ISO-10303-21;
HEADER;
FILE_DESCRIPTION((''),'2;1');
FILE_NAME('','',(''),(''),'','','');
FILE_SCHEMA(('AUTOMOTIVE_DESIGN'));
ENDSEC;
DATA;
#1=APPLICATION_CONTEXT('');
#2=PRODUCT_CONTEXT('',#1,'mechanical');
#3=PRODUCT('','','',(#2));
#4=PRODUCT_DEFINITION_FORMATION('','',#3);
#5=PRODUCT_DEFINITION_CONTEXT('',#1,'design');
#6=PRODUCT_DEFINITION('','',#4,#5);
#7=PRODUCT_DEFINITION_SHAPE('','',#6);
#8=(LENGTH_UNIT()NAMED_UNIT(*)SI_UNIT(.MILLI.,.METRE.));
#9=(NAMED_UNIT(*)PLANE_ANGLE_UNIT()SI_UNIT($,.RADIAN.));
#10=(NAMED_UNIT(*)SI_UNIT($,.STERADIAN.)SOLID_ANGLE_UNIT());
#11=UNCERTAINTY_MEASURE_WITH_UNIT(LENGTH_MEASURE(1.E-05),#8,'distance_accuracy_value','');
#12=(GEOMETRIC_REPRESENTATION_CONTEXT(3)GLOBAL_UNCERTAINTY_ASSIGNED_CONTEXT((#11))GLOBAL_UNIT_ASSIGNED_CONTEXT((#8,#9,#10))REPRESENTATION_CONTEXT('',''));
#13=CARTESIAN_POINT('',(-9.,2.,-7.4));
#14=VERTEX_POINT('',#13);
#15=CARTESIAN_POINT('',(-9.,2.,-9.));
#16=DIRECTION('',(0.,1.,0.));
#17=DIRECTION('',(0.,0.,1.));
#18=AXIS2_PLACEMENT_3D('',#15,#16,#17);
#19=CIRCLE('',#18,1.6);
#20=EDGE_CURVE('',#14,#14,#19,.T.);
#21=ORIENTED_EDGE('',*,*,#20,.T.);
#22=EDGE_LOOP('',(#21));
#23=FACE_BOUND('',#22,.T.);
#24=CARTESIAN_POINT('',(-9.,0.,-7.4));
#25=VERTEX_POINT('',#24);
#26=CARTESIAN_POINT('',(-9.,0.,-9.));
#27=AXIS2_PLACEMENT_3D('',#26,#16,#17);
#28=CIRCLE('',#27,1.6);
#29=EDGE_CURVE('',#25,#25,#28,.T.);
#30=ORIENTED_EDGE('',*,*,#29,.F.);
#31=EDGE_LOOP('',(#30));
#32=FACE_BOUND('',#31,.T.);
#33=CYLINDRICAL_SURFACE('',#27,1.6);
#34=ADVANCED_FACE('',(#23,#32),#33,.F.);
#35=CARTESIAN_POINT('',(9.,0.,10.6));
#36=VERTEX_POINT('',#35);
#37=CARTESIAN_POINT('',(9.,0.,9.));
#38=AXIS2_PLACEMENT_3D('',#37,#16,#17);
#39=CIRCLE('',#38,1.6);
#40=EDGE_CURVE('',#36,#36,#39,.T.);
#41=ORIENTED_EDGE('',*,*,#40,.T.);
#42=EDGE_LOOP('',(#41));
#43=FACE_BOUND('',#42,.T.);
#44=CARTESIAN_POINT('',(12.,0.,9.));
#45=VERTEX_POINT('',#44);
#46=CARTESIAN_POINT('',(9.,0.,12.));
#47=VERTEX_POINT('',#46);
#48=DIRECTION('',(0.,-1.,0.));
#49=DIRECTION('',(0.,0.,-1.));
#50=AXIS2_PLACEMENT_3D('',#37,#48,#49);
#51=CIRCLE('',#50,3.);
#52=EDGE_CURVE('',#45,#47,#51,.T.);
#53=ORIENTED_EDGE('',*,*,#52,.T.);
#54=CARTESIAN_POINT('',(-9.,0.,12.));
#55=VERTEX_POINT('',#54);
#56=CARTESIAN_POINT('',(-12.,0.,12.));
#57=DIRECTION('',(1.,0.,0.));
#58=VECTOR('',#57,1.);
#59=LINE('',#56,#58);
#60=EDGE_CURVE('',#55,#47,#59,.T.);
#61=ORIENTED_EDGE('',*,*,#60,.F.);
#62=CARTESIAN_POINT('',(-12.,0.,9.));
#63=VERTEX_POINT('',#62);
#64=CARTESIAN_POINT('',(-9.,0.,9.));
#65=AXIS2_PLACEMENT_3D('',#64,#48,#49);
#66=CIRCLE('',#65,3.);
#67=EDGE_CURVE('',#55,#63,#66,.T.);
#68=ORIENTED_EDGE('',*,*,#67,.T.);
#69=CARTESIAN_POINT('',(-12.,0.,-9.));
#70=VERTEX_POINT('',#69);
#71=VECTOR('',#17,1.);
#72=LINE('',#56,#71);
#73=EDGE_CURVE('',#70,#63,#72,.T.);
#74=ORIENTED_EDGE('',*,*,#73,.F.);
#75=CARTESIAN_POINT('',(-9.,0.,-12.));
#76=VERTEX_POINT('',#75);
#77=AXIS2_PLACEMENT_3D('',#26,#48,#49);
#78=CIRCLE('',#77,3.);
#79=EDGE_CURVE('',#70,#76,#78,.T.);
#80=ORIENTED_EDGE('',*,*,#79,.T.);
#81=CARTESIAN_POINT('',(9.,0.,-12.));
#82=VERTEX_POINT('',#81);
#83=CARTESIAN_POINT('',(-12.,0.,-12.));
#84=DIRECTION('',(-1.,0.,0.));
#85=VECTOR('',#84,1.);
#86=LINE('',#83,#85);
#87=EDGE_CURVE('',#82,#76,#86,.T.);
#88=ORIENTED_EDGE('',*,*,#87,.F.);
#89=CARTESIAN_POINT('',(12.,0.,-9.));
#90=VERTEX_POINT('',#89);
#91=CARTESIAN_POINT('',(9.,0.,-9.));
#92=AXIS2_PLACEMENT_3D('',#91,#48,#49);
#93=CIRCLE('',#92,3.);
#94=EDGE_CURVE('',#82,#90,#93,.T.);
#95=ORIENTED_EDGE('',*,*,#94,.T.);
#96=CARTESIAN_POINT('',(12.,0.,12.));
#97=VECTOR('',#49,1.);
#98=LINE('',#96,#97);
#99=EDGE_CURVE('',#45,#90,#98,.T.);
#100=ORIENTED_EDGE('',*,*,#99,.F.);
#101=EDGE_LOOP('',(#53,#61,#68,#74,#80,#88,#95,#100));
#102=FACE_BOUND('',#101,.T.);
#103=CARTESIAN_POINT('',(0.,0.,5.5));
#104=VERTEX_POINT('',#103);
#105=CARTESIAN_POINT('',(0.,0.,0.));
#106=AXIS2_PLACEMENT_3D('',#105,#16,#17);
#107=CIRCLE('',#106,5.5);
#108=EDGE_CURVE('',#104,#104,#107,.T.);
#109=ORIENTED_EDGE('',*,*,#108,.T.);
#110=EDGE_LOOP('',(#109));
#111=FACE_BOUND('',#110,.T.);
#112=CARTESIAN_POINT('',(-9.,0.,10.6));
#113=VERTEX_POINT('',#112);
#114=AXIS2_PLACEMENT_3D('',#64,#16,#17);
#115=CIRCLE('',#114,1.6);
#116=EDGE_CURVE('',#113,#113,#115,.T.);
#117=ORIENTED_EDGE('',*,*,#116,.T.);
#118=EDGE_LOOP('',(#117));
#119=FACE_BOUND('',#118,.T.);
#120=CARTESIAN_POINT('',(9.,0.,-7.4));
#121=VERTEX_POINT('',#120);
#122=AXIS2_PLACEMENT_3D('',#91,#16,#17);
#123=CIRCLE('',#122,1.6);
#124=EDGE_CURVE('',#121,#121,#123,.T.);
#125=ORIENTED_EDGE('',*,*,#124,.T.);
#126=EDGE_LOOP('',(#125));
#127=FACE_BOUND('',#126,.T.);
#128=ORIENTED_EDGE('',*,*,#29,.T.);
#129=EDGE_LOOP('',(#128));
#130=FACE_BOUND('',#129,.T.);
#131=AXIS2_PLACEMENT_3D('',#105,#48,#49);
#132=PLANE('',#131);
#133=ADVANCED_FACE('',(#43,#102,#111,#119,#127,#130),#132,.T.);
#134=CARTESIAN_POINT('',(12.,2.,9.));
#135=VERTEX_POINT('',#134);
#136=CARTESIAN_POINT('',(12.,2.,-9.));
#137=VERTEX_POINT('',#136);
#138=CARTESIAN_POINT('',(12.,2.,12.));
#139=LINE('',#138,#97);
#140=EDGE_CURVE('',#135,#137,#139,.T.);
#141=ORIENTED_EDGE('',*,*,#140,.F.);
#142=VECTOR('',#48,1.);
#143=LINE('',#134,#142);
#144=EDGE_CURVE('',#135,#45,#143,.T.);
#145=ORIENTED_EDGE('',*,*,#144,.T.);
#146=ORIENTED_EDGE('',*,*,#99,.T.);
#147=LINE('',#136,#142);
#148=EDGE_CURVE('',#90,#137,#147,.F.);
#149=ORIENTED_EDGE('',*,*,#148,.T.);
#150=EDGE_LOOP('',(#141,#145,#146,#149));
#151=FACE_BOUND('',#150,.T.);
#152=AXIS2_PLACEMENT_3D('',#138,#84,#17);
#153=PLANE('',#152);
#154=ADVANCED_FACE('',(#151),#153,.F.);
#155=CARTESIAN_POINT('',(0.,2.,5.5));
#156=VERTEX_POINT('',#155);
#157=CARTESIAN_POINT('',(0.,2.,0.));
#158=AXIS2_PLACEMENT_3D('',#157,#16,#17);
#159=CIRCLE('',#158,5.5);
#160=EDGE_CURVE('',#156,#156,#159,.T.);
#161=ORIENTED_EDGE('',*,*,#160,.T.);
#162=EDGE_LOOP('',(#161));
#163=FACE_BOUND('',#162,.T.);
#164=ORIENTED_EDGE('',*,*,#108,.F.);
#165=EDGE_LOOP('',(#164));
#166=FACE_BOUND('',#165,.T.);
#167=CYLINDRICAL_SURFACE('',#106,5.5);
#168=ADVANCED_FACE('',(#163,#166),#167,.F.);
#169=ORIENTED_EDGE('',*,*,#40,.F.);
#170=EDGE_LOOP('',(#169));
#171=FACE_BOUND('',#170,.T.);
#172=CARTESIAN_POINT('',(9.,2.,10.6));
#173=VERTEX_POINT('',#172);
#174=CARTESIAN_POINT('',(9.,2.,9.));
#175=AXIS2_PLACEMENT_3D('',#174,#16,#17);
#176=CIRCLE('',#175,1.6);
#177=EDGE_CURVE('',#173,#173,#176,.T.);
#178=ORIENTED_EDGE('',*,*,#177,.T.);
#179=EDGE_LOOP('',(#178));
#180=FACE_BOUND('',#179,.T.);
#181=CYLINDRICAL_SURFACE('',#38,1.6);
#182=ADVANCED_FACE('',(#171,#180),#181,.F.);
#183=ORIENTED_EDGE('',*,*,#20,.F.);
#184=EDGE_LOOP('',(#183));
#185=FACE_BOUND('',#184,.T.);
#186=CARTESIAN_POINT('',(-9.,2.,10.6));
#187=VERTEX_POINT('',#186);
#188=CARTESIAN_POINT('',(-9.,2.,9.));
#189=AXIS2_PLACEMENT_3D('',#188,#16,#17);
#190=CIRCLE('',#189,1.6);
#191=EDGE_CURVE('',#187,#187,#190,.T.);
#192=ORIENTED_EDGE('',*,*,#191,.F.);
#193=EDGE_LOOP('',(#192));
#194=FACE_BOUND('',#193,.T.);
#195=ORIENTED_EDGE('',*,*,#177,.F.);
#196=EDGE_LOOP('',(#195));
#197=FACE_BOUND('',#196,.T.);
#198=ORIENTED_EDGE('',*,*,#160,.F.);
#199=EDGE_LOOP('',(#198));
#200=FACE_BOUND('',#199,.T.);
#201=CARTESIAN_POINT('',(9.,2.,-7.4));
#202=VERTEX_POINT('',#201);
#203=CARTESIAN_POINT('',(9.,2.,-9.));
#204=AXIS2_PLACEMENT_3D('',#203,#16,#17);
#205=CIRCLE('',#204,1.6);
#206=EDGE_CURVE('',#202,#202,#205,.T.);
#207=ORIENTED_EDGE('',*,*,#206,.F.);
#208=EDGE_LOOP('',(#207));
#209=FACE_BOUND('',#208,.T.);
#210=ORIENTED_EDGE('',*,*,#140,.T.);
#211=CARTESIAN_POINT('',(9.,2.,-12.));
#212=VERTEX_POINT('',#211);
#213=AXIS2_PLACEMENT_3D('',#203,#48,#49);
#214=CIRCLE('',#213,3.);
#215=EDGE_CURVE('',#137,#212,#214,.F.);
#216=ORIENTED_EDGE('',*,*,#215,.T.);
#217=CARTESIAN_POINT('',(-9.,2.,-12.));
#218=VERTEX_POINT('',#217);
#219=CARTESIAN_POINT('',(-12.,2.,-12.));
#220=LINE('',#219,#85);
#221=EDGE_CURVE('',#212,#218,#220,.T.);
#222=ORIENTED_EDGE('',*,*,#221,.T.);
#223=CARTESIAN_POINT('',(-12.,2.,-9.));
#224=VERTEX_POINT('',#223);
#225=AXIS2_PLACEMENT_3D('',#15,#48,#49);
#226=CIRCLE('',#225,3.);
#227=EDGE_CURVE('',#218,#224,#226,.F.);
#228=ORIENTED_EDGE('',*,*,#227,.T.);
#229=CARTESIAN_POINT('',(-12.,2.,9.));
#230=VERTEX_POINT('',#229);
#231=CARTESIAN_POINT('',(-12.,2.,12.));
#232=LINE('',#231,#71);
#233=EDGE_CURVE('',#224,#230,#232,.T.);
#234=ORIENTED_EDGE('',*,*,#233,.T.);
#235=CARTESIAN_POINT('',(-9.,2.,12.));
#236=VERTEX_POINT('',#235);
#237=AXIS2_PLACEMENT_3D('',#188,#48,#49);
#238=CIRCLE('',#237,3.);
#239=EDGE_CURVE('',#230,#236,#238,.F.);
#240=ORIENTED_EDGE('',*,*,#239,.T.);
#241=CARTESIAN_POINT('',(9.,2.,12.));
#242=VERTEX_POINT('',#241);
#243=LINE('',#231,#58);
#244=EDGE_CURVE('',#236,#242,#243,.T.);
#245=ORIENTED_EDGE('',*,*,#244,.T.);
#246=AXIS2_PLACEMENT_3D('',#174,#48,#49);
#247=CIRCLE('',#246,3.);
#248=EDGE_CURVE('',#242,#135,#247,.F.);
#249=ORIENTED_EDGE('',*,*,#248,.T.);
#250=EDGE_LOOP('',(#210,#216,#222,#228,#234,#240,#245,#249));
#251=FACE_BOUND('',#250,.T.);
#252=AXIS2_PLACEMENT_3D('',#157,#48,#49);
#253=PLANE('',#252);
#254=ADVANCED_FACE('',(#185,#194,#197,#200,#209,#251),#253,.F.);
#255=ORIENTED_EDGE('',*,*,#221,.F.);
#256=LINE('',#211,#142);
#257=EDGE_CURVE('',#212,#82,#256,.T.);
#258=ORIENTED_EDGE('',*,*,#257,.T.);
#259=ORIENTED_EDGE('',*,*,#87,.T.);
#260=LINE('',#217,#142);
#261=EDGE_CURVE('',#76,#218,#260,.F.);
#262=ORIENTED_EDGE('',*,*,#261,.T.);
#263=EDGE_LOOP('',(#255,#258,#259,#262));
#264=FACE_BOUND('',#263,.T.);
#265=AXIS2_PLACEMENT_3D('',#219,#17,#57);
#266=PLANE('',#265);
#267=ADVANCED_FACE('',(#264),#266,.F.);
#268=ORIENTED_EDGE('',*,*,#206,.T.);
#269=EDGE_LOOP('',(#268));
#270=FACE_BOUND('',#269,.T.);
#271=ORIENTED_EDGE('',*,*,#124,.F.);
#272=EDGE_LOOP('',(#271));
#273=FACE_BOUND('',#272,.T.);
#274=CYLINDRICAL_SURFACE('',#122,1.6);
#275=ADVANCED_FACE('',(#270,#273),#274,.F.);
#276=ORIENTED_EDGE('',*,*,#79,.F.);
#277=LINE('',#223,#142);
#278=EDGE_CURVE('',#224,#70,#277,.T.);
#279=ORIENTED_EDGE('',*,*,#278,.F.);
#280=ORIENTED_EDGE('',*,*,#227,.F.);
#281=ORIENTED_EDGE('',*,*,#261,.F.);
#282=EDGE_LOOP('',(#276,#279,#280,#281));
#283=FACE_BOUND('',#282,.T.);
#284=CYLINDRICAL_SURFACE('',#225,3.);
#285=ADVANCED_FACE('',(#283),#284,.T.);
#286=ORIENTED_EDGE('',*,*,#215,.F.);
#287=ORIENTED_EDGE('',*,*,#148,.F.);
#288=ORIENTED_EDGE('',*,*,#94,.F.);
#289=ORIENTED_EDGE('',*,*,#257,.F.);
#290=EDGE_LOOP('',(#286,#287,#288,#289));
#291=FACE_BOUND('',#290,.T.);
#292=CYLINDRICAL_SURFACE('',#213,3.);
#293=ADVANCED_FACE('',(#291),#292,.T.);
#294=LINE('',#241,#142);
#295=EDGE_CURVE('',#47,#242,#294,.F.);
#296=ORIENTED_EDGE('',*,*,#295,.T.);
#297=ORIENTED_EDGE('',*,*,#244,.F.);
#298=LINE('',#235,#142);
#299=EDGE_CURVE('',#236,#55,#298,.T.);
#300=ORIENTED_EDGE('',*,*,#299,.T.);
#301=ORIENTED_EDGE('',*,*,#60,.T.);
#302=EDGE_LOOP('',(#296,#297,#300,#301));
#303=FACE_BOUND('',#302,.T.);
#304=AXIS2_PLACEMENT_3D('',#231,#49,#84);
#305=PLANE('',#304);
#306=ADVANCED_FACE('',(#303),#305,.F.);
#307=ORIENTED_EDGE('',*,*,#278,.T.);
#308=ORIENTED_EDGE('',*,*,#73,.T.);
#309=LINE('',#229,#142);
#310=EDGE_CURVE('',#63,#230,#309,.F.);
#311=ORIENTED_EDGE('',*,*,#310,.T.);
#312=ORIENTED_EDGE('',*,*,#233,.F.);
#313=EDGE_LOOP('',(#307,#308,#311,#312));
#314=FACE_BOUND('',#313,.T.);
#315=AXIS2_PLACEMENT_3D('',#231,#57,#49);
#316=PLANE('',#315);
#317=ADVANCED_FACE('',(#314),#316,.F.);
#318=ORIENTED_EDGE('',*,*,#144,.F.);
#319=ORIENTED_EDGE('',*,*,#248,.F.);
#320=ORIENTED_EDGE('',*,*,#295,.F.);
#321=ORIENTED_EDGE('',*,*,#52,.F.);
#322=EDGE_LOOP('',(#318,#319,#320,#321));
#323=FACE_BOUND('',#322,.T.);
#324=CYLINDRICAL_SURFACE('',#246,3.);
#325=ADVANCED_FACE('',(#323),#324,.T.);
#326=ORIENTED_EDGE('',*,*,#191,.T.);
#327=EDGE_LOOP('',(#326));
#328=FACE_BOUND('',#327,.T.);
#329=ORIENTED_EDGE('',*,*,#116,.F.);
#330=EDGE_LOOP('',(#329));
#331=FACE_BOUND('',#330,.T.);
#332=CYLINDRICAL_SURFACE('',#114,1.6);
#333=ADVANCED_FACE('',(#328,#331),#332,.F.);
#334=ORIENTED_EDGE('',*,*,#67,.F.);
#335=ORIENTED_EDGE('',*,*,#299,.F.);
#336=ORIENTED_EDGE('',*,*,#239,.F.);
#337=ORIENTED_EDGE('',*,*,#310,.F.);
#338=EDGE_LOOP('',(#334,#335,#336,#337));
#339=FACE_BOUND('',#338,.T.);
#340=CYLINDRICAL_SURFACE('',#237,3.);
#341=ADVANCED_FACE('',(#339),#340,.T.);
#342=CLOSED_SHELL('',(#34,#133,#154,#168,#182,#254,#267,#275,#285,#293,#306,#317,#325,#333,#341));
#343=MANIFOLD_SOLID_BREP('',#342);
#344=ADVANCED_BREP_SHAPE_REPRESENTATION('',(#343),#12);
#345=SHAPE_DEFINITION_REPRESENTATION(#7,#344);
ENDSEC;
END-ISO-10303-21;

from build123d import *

# Parameters (mm, degrees)
SKETCH_1_W          = 24
SKETCH_1_H          = 24
EXTRUDE_1_DEPTH     = 2
FILLET_1_R          = 3
SKETCH_2_R          = 1.6
CUT_EXTRUDE_1_DEPTH = 2
SKETCH_3_R          = 5.5
CUT_EXTRUDE_2_DEPTH = 2


with BuildPart() as part:
    # 草图1 → 凸台-拉伸1 (new body)
    with BuildSketch(Plane(origin=(0, 0, 0), x_dir=(1, 0, 0), z_dir=(0, 1, 0))):
        Rectangle(SKETCH_1_W, SKETCH_1_H)
    extrude(amount=EXTRUDE_1_DEPTH)

    # 圆角1
    fillet_1_edges = [part.edges().sort_by_distance(p)[0] for p in [
        (12, 1, 12),
        (-12, 1, 12),
        (-12, 1, -12),
        (12, 1, -12),
    ]]
    fillet(fillet_1_edges, radius=FILLET_1_R)

    # 草图2 → 切除-拉伸1 (cut)
    with BuildSketch(Plane(origin=(0, 2, 0), x_dir=(1, 0, 0), z_dir=(0, 1, 0))):
        with Locations(Location((-9, 9, 0), (0, 0, 270))):
            Circle(SKETCH_2_R)
        with Locations(Location((9, 9, 0), (0, 0, 270))):
            Circle(SKETCH_2_R)
        with Locations(Location((9, -9, 0), (0, 0, 270))):
            Circle(SKETCH_2_R)
        with Locations(Location((-9, -9, 0), (0, 0, 270))):
            Circle(SKETCH_2_R)
    extrude(amount=-CUT_EXTRUDE_1_DEPTH, mode=Mode.SUBTRACT)

    # 草图3 → 切除-拉伸2 (cut)
    with BuildSketch(Plane(origin=(0, 2, 0), x_dir=(1, 0, 0), z_dir=(0, 1, 0))):
        with Locations(Location((0, 0, 0), (0, 0, 270))):
            Circle(SKETCH_3_R)
    extrude(amount=-CUT_EXTRUDE_2_DEPTH, mode=Mode.SUBTRACT)


solid = part.part
